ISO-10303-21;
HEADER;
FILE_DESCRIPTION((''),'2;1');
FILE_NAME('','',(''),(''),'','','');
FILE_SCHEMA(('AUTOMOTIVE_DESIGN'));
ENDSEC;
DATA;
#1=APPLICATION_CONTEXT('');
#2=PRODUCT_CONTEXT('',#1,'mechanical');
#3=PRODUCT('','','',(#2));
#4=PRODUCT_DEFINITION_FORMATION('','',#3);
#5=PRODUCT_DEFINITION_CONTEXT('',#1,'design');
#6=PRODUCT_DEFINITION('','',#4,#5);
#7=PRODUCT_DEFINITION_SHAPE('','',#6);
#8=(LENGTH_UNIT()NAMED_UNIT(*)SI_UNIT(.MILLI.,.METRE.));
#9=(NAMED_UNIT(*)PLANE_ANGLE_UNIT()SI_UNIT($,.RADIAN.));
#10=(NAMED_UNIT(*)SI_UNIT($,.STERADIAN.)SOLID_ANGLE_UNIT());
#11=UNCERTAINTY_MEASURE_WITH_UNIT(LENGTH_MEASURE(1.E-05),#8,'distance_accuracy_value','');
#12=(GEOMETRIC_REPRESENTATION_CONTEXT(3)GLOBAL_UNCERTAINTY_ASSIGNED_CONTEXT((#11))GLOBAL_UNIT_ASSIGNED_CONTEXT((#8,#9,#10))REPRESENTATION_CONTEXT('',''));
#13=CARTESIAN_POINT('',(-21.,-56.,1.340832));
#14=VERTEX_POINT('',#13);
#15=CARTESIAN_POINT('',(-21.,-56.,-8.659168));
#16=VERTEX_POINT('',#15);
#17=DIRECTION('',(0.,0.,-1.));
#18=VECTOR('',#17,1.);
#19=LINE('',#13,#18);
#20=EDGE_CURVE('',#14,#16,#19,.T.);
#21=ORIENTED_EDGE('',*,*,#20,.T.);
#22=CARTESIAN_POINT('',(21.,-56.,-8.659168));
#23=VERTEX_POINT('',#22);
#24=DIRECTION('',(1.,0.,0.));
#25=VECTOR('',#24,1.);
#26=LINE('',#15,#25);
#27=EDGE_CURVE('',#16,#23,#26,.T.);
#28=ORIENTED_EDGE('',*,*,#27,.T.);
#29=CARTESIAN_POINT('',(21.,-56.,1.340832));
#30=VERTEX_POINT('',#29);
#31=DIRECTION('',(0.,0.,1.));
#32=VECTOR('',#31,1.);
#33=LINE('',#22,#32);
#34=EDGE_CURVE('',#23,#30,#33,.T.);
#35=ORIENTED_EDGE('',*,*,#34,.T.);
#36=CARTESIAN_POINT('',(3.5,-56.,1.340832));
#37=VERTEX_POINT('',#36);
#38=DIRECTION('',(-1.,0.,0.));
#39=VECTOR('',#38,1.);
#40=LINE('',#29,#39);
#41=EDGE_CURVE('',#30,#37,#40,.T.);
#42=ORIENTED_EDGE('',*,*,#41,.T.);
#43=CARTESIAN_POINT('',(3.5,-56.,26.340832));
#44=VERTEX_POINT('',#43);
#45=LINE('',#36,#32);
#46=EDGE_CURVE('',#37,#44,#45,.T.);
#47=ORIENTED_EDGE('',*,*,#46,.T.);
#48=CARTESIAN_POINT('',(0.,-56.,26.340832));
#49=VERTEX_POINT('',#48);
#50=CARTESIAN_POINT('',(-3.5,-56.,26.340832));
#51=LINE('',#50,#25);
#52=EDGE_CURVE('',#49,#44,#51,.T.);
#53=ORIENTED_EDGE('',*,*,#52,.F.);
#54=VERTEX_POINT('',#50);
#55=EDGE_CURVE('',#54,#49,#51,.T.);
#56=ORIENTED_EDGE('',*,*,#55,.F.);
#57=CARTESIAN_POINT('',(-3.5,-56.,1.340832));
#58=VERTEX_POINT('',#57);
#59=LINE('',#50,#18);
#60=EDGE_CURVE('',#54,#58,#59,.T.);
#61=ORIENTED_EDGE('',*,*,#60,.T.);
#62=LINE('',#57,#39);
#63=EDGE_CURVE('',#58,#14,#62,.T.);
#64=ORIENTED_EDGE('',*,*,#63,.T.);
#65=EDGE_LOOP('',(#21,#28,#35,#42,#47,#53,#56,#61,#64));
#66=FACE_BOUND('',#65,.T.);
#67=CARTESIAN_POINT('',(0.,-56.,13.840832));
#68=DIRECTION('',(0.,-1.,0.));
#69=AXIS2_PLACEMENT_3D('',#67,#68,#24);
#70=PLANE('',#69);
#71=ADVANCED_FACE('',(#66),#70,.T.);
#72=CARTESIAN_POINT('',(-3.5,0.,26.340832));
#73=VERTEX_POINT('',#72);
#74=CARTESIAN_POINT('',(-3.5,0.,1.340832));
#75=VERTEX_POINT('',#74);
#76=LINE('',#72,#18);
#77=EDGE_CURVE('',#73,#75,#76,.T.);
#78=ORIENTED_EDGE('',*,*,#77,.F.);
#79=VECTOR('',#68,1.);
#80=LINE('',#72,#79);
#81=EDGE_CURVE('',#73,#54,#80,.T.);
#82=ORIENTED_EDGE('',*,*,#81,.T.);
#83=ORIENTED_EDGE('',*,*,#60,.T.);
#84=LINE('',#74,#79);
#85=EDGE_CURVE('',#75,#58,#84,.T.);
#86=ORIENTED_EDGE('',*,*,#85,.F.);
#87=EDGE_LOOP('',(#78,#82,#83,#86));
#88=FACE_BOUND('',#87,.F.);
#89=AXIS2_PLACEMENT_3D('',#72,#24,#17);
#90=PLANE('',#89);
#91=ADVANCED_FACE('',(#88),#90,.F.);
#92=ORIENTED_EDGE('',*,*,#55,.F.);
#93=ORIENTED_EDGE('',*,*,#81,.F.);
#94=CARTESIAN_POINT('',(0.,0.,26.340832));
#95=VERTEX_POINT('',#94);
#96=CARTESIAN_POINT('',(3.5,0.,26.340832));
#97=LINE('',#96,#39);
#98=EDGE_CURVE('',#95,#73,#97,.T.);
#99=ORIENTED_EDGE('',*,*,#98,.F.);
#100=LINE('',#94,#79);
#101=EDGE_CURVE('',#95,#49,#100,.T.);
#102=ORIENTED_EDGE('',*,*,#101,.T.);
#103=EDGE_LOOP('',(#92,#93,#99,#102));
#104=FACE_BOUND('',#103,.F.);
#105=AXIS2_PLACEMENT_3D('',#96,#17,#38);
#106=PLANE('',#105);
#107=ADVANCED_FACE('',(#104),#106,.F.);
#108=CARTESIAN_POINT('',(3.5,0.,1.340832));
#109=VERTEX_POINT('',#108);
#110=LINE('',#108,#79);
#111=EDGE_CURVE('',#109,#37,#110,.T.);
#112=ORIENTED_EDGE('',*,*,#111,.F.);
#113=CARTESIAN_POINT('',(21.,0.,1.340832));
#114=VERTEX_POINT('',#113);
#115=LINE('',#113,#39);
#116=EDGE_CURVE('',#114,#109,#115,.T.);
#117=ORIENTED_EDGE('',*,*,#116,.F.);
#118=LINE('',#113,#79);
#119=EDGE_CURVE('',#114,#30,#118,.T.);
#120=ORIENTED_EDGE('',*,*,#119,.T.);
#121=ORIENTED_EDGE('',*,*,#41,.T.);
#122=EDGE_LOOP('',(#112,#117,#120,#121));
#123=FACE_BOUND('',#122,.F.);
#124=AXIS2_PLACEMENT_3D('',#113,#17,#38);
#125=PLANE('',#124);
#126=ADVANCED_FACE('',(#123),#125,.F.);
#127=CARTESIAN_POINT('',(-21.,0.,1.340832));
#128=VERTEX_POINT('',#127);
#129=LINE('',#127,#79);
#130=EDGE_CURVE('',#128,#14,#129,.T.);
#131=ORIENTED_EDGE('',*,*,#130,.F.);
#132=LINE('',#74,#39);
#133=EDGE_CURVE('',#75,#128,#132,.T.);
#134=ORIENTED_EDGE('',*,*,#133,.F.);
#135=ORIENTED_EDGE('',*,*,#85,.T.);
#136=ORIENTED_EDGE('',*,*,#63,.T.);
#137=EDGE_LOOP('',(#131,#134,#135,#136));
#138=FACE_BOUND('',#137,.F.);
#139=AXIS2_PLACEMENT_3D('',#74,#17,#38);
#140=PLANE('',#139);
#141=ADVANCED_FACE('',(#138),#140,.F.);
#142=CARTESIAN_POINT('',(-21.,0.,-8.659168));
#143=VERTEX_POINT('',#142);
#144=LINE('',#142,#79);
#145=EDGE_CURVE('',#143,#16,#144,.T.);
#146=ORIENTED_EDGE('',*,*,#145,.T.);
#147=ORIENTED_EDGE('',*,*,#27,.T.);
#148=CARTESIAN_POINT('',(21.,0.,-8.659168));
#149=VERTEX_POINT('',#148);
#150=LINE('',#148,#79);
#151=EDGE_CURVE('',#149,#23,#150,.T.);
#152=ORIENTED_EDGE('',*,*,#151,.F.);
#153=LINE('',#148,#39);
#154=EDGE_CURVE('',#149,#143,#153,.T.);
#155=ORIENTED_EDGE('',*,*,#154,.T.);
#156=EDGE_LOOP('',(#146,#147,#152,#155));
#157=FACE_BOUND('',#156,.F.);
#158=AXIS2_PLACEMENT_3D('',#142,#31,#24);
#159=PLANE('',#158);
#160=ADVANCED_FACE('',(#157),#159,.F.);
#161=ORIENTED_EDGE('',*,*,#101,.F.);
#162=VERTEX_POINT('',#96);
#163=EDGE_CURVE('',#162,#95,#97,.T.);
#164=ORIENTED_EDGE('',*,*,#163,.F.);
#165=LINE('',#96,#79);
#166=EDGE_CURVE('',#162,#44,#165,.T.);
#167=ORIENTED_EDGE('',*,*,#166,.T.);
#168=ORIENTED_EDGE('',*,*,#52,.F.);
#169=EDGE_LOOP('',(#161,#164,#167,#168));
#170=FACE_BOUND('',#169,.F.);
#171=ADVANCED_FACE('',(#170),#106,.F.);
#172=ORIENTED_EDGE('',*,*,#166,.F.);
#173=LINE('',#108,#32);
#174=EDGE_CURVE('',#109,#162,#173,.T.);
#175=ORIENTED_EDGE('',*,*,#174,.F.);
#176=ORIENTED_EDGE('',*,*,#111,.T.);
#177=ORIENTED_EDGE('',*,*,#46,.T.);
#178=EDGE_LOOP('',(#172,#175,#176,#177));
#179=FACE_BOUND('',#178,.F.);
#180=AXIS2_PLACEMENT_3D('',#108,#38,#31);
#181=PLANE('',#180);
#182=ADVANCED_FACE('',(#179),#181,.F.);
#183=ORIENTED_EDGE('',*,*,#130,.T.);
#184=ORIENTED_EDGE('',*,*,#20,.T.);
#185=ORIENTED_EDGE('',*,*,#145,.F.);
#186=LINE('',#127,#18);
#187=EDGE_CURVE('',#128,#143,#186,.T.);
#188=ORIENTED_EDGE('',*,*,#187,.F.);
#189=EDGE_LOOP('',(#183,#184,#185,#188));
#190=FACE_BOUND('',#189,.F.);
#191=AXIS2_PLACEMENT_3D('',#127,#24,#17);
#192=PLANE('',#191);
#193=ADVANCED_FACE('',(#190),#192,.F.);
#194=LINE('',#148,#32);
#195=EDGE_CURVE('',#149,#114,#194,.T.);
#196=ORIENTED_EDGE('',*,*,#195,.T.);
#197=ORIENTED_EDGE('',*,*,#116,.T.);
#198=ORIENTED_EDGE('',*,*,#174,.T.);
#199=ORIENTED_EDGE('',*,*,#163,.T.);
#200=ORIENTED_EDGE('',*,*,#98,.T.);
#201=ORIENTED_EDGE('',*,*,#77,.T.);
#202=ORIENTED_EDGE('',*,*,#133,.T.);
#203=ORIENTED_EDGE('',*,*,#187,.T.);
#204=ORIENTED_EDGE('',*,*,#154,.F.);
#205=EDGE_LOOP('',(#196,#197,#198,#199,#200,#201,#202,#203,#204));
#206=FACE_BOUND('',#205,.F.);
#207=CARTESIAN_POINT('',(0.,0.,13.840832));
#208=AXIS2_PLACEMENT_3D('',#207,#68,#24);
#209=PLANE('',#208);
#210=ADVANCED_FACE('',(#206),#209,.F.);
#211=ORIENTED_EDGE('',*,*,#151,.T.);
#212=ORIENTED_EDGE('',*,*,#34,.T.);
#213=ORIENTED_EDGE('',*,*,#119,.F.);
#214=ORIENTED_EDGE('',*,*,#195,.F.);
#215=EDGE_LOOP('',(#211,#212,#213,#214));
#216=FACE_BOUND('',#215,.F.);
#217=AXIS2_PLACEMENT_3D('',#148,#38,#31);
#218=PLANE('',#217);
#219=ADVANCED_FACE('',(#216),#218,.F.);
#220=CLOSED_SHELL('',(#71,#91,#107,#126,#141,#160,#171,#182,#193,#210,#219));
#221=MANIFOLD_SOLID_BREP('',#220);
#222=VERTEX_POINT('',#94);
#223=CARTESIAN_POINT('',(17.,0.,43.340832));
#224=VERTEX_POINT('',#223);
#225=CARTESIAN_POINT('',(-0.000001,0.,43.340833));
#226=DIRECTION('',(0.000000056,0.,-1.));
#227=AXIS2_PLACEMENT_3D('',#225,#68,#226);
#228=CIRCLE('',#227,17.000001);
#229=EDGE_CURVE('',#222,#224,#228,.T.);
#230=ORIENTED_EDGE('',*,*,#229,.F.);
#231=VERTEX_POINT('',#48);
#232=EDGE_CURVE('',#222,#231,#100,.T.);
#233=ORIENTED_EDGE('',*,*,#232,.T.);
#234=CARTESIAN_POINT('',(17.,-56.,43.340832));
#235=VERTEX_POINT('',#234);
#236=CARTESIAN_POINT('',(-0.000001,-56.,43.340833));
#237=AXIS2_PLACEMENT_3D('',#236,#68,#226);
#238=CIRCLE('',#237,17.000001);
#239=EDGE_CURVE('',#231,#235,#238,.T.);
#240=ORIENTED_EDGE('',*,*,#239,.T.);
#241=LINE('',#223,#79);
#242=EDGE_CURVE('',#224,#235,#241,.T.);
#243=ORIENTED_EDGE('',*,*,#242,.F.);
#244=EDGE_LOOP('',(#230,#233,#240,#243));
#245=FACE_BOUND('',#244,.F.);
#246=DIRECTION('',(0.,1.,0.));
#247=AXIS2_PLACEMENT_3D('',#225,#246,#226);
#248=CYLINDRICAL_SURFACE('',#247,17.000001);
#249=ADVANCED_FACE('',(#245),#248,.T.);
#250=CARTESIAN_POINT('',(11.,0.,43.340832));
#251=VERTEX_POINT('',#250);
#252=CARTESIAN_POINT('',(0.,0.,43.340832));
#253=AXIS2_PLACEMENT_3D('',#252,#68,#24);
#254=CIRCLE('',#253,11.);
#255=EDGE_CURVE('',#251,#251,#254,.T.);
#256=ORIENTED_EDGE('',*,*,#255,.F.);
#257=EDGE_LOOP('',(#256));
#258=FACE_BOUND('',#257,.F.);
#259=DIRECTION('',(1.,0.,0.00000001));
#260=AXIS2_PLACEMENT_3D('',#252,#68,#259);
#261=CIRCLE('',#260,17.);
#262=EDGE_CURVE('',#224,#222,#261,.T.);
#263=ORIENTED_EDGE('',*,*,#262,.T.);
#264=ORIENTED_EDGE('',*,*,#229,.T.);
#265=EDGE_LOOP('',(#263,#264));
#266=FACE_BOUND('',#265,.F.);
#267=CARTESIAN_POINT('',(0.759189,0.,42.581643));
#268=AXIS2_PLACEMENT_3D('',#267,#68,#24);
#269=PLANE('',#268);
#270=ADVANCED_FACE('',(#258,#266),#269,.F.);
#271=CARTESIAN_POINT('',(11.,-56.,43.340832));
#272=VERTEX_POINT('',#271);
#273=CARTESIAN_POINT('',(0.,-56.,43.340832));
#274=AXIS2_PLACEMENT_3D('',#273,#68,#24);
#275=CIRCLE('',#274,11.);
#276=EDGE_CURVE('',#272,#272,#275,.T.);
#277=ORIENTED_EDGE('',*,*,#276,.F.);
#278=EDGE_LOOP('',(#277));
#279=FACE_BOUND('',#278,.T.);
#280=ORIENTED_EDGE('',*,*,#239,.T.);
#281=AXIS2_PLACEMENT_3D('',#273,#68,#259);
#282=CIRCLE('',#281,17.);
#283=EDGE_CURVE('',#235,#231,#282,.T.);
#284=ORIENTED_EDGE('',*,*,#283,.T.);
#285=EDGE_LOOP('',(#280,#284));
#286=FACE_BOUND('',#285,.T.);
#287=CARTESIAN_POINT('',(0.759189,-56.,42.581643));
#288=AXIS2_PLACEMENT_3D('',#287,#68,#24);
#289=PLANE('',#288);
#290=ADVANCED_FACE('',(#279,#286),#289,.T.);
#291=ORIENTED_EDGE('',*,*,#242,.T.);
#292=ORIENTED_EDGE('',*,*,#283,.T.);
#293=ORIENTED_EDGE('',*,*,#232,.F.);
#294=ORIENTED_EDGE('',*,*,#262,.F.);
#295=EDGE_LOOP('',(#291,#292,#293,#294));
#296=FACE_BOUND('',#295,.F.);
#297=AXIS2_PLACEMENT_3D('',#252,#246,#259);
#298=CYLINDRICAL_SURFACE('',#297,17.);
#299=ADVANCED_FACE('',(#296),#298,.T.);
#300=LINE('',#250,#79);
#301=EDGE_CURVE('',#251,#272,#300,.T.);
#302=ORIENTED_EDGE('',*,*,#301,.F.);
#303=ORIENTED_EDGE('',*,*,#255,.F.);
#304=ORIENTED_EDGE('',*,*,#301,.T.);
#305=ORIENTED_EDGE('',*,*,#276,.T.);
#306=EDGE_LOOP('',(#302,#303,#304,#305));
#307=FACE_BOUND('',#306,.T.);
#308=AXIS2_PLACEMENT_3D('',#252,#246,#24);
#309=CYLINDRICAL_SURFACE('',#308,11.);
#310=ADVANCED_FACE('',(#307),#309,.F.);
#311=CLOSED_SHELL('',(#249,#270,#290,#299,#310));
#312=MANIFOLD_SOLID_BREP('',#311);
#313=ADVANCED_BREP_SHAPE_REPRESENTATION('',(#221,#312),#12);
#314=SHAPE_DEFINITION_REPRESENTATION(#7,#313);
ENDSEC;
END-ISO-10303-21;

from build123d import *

# Parameters (mm, degrees)
F0_R     = 11
F1_DEPTH = 56
F2_W     = 12
F2_H     = 10
F3_DEPTH = 70


with BuildPart() as f1:
    # F0 (on Front) → F1 (new body)
    with BuildSketch(Plane.XZ):
        with BuildLine():
            ThreePointArc((0, 26.340832), (12.020815, 31.320017), (17, 43.340832))
            ThreePointArc((17, 43.340832), (-12.020815, 55.361647), (0, 26.340832))
        make_face()
        with Locations((0, 43.340832)):
            Circle(F0_R, mode=Mode.SUBTRACT)
        Polygon((3.5, 26.340832), (0, 26.340832), (-3.5, 26.340832), (-3.5, 1.340832), (3.5, 1.340832), align=None)
        Polygon((3.5, 1.340832), (-3.5, 1.340832), (-21, 1.340832), (-21, -8.659168), (21, -8.659168), (21, 1.340832), align=None)
    extrude(amount=F1_DEPTH)

    # F2 (on Front) → F3 (cut)
    with BuildSketch(Plane.XZ):
        with Locations((0, -8.781475)):
            Rectangle(F2_W, F2_H)
    extrude(amount=-F3_DEPTH, mode=Mode.SUBTRACT)


solid = f1.part
